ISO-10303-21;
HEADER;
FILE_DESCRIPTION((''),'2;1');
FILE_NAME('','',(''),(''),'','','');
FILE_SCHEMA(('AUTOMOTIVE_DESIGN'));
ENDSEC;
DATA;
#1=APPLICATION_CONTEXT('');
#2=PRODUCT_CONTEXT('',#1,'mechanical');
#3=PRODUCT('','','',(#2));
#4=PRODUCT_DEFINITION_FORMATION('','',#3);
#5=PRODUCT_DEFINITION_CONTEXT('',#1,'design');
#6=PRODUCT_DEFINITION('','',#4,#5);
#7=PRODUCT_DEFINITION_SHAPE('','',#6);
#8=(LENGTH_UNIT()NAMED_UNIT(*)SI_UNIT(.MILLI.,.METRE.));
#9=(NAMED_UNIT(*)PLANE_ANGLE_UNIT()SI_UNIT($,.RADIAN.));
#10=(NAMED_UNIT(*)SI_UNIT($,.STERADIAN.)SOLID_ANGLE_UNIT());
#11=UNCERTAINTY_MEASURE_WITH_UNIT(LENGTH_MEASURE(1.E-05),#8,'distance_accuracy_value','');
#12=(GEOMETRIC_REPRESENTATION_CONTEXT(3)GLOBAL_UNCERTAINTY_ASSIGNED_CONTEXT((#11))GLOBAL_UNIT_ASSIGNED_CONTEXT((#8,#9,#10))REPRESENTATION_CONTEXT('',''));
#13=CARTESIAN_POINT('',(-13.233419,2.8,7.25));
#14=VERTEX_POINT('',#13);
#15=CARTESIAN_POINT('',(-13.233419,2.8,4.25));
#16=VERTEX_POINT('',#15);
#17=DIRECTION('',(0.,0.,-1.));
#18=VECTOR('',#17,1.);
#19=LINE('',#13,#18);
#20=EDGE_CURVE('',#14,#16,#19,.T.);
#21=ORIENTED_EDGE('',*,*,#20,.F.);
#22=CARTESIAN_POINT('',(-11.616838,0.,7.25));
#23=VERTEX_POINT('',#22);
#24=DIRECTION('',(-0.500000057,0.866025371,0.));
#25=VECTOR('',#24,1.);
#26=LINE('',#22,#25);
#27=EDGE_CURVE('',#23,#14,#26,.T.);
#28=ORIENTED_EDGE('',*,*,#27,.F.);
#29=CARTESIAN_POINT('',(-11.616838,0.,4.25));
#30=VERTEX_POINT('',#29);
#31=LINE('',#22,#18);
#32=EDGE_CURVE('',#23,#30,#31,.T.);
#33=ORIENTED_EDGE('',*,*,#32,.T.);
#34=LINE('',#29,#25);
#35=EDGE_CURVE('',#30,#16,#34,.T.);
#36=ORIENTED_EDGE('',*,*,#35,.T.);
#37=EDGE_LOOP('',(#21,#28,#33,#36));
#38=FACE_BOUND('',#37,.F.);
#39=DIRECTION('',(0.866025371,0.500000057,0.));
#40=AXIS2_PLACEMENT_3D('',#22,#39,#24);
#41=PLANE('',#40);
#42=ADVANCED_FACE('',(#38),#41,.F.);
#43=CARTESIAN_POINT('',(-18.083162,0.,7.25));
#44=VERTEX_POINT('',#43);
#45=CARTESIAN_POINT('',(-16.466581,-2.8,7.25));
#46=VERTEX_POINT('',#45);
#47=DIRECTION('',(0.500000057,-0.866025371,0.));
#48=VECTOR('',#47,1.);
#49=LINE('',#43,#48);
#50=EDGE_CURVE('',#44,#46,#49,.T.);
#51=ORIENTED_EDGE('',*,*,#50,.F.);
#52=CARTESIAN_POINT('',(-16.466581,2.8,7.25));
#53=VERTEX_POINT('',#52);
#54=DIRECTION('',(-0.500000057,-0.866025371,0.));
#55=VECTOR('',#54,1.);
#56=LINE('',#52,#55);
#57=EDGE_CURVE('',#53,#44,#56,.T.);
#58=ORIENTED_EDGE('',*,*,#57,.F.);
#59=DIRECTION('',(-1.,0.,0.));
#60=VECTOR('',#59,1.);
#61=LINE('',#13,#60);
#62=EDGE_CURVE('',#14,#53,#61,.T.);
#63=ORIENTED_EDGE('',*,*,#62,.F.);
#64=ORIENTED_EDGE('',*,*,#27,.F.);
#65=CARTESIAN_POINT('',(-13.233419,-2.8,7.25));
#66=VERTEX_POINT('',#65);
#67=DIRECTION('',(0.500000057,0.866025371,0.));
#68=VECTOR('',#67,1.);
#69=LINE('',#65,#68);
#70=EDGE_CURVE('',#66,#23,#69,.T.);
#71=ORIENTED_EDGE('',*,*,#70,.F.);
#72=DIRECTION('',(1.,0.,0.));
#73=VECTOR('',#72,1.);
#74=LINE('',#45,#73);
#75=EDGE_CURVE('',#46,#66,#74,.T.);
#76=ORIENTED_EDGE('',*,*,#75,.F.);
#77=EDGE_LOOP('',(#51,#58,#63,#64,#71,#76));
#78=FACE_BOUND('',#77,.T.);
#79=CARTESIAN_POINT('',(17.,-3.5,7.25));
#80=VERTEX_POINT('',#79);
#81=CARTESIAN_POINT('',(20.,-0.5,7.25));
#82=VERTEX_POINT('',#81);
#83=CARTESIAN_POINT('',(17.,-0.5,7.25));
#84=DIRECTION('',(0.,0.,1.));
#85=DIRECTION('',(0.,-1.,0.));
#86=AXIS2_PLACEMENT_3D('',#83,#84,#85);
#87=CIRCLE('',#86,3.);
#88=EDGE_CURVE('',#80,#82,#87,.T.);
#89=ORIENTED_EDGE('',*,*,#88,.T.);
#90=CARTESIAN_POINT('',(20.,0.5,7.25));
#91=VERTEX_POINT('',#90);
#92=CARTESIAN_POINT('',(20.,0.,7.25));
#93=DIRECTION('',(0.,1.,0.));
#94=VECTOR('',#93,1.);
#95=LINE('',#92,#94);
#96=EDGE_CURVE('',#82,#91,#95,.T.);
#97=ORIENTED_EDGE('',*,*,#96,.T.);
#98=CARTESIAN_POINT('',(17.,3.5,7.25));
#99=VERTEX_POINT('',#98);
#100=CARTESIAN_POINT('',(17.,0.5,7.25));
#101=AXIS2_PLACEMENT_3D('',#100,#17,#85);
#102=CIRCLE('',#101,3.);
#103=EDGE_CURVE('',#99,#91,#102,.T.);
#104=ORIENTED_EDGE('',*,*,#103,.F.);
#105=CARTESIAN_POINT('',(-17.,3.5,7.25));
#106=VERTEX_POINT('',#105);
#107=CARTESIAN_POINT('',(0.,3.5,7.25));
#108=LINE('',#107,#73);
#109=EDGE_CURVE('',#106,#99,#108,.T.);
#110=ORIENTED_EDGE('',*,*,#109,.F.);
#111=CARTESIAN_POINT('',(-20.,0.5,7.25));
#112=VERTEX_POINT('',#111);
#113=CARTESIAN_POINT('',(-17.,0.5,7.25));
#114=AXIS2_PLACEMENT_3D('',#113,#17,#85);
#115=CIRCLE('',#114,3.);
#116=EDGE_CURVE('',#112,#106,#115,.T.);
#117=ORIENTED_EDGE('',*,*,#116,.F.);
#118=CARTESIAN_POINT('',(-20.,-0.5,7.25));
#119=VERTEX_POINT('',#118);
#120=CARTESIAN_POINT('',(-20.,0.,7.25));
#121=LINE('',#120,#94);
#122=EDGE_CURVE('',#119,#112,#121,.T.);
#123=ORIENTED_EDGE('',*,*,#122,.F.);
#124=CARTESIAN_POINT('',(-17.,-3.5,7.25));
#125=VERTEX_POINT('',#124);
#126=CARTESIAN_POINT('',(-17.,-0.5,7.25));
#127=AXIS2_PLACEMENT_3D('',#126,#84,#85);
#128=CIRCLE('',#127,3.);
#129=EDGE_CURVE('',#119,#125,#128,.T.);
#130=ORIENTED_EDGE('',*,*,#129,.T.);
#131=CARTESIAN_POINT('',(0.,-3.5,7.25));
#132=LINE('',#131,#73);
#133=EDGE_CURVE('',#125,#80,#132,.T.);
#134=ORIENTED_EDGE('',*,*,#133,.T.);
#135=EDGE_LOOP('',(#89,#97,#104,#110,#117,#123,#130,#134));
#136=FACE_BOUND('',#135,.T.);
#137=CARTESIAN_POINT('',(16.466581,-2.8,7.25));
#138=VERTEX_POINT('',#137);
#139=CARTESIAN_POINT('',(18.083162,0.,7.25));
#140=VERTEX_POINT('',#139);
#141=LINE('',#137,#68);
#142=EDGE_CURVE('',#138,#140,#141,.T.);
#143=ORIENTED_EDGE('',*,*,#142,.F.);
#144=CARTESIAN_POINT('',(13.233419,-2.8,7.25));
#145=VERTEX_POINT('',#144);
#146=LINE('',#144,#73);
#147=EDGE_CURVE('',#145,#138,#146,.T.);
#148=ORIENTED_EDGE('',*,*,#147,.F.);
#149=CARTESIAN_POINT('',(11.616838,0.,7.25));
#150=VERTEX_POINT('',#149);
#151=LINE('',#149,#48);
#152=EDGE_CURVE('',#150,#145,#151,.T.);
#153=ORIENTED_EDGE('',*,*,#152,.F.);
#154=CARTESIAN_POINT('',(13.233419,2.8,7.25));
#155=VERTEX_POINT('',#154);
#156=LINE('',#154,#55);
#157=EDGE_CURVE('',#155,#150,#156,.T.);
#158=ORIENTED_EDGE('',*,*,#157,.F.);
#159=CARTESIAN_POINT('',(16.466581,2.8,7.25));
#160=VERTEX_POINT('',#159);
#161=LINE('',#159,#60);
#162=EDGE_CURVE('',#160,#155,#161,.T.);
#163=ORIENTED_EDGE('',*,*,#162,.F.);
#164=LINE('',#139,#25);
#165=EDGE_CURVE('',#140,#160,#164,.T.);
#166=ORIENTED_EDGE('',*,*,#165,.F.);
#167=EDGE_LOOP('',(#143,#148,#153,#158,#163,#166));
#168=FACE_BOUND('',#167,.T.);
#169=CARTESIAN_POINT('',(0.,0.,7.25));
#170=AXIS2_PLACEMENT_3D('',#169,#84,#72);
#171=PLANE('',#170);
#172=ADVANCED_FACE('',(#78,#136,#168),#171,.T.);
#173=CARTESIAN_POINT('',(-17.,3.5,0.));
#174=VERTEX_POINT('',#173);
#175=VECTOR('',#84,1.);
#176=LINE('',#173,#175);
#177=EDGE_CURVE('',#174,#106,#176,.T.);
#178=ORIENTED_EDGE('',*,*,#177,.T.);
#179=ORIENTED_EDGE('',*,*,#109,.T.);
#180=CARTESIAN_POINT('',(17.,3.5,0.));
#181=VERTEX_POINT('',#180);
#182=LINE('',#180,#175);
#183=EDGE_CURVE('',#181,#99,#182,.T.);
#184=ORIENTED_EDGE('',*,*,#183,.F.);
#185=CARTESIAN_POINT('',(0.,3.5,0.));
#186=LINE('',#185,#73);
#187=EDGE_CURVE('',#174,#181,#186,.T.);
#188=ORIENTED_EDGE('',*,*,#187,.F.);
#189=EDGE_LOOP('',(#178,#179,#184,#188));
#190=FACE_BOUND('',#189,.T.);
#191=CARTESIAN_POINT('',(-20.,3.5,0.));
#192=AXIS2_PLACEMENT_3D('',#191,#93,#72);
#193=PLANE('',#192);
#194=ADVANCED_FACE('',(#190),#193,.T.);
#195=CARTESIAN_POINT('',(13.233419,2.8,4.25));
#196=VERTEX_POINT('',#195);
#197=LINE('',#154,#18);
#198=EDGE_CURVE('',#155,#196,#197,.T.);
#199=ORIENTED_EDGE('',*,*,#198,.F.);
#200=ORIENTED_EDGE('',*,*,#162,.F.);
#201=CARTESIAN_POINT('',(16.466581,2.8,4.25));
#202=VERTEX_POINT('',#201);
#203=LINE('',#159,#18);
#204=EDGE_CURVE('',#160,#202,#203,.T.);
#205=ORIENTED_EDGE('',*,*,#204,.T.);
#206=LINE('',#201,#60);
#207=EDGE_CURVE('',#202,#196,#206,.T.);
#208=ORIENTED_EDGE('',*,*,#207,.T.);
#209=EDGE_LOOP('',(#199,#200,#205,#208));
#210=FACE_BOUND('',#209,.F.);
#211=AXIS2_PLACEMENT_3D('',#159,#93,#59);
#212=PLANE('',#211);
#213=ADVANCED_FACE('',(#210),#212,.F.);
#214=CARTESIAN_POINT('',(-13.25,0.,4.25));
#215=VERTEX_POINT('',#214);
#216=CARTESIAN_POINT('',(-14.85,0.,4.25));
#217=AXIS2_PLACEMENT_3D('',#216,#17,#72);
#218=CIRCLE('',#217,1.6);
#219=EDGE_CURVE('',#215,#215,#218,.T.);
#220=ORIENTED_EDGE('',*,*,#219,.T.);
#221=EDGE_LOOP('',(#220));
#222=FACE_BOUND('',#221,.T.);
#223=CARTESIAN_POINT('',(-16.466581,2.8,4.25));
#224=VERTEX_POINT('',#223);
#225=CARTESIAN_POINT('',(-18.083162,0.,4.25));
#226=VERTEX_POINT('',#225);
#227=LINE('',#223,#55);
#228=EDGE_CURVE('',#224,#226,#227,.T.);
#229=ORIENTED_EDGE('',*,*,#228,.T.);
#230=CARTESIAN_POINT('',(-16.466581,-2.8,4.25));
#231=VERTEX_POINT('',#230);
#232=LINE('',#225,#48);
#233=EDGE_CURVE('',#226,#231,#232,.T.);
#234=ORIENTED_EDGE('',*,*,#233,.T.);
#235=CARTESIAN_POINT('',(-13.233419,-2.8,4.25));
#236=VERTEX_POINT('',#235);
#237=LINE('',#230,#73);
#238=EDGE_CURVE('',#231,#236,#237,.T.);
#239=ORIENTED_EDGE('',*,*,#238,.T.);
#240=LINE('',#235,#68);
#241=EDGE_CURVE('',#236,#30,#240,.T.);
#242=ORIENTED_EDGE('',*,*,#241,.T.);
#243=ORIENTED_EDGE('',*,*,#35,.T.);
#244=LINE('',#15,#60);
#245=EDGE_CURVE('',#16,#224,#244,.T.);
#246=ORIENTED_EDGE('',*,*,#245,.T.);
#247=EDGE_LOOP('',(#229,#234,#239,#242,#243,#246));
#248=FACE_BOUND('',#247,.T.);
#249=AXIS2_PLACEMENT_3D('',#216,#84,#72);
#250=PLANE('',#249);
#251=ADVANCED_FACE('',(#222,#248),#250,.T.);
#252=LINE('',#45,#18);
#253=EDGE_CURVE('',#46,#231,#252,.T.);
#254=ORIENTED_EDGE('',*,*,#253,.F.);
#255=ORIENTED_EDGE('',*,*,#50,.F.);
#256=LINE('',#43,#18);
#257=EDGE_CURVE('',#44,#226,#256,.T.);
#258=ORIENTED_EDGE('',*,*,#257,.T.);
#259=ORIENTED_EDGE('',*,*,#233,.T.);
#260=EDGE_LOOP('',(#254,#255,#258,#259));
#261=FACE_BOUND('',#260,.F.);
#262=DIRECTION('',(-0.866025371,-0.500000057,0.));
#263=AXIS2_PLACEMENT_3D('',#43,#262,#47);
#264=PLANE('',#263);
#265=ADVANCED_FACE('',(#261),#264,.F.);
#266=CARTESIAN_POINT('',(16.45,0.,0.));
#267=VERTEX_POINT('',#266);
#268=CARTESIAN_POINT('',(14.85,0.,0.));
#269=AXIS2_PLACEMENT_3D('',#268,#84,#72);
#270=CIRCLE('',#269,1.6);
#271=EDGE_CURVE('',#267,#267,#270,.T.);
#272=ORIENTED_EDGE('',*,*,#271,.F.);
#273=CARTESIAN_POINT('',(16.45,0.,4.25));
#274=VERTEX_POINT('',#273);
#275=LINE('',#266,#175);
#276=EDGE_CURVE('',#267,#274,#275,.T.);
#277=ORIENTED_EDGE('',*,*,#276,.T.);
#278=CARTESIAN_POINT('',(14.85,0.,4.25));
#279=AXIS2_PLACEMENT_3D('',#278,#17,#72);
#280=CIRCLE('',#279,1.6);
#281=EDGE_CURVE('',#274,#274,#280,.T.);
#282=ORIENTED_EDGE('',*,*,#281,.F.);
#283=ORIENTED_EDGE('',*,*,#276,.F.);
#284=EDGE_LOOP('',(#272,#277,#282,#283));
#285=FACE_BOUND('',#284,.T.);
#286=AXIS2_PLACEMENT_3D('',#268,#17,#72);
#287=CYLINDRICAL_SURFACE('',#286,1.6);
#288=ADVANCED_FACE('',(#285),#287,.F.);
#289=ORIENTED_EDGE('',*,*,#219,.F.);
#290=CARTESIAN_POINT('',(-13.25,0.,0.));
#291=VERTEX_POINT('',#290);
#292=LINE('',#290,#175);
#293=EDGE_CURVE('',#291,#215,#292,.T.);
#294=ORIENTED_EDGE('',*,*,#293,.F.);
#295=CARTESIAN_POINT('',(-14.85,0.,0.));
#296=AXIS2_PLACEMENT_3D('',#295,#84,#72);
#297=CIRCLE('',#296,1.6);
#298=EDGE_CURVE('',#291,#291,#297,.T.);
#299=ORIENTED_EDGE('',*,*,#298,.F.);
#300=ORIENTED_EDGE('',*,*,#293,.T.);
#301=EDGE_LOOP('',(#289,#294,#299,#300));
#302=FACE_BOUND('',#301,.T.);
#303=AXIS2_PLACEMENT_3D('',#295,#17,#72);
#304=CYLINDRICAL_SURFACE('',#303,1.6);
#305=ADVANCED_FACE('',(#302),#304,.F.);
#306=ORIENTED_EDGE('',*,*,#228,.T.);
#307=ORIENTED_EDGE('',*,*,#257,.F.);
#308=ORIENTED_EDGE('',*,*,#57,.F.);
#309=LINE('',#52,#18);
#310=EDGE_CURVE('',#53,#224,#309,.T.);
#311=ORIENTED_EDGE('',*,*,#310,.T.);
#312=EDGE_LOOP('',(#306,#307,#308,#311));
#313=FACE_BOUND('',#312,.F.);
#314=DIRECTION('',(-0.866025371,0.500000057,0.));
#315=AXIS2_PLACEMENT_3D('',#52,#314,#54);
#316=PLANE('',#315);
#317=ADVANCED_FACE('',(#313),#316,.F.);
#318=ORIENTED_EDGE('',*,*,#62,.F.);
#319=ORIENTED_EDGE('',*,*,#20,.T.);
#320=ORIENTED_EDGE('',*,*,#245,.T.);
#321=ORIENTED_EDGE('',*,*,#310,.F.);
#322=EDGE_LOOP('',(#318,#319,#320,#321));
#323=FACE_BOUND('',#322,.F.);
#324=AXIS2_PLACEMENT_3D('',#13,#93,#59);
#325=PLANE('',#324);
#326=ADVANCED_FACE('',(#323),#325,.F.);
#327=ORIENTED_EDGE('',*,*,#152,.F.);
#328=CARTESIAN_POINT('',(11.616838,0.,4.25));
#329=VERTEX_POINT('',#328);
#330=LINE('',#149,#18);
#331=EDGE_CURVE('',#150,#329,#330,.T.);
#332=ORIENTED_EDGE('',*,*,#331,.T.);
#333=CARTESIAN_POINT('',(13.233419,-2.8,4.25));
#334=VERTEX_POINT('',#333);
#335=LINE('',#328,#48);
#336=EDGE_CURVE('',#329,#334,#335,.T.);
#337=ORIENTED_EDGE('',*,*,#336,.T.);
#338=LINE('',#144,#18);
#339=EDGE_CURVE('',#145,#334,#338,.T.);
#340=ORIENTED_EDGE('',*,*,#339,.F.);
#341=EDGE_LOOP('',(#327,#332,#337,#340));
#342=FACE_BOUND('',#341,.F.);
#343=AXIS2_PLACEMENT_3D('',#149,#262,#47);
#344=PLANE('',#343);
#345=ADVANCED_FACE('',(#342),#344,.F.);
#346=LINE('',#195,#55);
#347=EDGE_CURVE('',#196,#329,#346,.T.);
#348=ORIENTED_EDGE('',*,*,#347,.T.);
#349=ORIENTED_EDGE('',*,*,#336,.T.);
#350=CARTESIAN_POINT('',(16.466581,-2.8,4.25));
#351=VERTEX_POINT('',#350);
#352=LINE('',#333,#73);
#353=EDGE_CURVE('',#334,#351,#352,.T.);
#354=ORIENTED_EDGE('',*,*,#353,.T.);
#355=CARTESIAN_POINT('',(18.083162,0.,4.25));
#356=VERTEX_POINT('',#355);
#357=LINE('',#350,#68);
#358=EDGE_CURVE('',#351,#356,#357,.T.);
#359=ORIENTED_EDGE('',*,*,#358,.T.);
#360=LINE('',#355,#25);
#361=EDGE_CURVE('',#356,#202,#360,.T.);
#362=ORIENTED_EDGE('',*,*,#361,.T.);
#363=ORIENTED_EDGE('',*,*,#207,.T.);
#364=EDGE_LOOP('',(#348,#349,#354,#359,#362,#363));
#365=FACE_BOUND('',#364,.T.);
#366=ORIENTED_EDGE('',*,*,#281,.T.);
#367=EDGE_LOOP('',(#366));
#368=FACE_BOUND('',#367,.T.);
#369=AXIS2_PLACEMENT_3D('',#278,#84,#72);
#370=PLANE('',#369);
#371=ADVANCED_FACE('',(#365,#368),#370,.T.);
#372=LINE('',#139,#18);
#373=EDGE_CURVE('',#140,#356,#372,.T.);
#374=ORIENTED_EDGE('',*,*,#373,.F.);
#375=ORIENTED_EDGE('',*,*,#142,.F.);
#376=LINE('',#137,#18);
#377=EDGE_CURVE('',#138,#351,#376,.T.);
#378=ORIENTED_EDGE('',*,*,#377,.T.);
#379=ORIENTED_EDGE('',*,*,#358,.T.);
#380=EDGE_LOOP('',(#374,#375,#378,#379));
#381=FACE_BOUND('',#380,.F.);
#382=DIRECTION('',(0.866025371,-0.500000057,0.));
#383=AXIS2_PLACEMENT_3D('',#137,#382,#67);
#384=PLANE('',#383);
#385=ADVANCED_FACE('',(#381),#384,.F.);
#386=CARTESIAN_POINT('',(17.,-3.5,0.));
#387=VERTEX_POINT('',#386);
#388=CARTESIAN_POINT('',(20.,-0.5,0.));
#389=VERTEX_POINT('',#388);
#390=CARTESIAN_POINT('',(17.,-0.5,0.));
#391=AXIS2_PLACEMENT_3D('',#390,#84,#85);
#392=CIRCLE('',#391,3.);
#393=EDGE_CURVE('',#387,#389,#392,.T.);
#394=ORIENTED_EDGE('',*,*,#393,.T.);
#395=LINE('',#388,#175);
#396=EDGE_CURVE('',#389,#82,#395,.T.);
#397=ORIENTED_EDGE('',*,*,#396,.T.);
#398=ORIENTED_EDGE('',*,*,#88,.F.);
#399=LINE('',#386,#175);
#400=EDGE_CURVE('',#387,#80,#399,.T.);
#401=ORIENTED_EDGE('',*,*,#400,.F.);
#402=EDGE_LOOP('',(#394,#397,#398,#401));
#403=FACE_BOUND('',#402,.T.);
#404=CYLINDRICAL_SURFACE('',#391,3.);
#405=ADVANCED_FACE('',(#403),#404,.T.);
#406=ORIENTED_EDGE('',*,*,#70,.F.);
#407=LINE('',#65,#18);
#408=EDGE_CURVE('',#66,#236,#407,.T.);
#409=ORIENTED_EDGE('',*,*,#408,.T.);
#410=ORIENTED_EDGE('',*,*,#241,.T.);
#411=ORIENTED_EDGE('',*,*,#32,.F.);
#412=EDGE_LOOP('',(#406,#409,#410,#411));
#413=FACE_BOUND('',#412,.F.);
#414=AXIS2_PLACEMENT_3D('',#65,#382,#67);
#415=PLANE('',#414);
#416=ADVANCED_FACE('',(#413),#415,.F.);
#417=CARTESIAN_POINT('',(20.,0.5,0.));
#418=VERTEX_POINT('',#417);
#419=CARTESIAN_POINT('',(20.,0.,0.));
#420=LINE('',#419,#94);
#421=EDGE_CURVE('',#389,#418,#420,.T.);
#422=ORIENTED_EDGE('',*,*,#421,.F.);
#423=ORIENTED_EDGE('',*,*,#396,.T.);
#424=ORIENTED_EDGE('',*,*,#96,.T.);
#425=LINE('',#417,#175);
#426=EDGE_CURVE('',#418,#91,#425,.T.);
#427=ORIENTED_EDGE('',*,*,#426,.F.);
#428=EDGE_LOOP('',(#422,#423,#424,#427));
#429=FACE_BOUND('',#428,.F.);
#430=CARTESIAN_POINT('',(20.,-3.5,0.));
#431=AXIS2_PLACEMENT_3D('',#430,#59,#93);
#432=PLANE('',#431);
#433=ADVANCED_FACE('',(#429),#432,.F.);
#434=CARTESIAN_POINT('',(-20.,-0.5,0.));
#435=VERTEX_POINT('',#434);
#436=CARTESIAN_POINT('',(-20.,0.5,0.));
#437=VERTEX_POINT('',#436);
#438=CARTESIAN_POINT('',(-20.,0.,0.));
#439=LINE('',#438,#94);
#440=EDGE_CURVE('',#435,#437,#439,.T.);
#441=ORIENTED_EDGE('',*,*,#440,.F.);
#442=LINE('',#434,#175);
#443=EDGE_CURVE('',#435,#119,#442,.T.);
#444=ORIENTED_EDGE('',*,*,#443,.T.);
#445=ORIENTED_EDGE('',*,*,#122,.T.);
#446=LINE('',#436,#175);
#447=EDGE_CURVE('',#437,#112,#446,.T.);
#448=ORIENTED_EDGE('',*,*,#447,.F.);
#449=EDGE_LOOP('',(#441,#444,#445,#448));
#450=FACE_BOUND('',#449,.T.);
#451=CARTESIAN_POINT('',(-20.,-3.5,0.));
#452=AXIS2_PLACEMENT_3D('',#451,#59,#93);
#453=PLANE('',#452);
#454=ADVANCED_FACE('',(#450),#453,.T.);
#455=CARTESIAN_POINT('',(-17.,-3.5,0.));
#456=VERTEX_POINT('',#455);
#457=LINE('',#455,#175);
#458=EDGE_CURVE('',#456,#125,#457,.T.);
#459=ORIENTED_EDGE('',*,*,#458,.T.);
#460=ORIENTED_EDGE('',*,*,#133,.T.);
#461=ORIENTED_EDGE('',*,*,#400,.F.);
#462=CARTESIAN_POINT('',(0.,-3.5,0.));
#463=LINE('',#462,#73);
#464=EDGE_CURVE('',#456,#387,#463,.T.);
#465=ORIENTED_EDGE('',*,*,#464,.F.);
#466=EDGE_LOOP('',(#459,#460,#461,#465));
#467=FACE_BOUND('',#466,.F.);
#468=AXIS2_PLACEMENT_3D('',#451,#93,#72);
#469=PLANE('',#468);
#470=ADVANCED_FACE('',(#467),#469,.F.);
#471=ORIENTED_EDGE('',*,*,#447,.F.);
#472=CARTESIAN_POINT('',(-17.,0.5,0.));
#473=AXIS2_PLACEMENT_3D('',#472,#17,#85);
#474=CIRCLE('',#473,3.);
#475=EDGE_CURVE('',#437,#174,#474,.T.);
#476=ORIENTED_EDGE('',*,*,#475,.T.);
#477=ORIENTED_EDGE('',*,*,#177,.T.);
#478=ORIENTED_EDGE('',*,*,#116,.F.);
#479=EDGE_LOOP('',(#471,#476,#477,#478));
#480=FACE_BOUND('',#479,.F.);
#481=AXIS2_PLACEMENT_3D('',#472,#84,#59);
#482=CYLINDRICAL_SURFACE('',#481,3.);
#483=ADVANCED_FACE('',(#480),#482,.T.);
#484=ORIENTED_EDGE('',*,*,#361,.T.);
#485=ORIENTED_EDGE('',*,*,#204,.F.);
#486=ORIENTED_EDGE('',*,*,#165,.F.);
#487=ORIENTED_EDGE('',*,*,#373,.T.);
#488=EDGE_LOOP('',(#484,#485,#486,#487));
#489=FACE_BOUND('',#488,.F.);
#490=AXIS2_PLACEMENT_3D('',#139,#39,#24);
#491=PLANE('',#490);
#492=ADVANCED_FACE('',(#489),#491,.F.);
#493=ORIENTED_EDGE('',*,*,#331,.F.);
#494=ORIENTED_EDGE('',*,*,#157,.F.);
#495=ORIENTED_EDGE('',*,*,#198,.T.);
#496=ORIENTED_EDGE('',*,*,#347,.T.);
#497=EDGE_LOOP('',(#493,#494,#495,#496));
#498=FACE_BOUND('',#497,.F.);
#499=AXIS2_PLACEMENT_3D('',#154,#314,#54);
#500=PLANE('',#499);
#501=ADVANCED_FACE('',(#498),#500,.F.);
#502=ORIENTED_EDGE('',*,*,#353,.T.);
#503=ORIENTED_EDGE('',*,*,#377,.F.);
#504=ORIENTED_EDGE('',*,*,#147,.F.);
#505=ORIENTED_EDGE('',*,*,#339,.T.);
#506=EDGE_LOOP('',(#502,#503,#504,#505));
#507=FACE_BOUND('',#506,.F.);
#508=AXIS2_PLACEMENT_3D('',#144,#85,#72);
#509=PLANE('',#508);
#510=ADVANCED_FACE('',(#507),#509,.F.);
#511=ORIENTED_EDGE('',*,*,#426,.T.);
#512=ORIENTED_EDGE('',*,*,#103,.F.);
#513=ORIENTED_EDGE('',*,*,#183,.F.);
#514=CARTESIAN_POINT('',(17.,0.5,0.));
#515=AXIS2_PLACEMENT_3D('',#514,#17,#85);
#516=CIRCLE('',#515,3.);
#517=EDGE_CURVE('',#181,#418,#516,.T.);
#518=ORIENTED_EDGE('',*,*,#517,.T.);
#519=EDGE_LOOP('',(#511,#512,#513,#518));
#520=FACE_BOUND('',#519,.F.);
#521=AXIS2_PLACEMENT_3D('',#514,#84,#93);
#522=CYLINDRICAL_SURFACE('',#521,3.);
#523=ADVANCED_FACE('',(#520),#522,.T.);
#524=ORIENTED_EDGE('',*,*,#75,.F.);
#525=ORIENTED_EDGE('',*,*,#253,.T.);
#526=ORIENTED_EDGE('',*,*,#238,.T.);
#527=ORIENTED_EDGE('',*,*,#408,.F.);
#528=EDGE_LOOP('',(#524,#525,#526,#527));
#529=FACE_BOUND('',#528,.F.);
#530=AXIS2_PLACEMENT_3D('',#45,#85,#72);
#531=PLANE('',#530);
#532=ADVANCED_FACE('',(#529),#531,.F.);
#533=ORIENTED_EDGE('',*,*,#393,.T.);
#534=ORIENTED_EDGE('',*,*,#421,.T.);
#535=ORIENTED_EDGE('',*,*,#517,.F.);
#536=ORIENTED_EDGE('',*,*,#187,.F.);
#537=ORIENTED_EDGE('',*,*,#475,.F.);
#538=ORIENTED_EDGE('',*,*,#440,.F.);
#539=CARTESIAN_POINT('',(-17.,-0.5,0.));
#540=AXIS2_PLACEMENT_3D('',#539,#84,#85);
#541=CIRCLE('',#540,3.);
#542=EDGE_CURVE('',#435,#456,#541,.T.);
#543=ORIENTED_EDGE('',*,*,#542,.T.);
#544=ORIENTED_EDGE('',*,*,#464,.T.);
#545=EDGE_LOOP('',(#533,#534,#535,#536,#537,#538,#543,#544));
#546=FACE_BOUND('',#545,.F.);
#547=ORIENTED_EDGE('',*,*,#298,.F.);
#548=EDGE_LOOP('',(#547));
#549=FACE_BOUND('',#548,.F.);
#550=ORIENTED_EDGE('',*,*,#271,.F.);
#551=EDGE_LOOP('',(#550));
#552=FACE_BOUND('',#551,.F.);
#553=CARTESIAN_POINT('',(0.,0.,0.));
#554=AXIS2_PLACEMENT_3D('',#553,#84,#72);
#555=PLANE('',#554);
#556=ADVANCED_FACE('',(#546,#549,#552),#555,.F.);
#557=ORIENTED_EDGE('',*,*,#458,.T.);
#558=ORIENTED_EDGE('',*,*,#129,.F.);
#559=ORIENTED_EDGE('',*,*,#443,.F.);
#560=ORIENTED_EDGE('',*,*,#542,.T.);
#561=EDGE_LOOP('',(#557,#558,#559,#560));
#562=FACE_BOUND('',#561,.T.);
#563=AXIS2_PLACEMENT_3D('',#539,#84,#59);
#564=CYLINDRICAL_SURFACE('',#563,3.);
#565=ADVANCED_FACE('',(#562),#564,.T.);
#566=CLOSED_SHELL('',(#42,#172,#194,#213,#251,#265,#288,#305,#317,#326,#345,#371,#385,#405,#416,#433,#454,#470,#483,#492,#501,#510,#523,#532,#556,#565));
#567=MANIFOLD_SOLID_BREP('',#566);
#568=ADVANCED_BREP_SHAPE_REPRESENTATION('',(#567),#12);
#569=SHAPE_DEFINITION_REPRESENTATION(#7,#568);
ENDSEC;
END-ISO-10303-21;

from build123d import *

# Parameters (mm, degrees)
SKETCH_W     = 40
SKETCH_H     = 7
SKETCH_R     = 1.6
PAD_DEPTH    = 7.25
POCKET_DEPTH = 3
FILLET_R     = 3


with BuildPart() as part:
    # Sketch → Pad (new body)
    with BuildSketch(Plane.XY):
        Rectangle(SKETCH_W, SKETCH_H)
        with Locations((-14.85, 0)):
            Circle(SKETCH_R, mode=Mode.SUBTRACT)
        with Locations((14.85, 0)):
            Circle(SKETCH_R, mode=Mode.SUBTRACT)
    extrude(amount=PAD_DEPTH)

    # Sketch001 (on Face8 of Pad) → Pocket (cut)
    with BuildSketch(Plane.XY.offset(7.25)):
        Polygon((-11.616838, 0), (-13.233419, 2.8), (-16.466581, 2.8), (-18.083162, 0), (-16.466581, -2.8), (-13.233419, -2.8), align=None)
        Polygon((11.616838, 0), (13.233419, -2.8), (16.466581, -2.8), (18.083162, 0), (16.466581, 2.8), (13.233419, 2.8), align=None)
    extrude(amount=-POCKET_DEPTH, mode=Mode.SUBTRACT)

    # Fillet
    fillet_edges = [part.edges().sort_by_distance(p)[0] for p in [
        (20, -3.5, 3.625),
        (20, 3.5, 3.625),
        (-20, 3.5, 3.625),
        (-20, -3.5, 3.625),
    ]]
    fillet(fillet_edges, radius=FILLET_R)


solid = part.part
